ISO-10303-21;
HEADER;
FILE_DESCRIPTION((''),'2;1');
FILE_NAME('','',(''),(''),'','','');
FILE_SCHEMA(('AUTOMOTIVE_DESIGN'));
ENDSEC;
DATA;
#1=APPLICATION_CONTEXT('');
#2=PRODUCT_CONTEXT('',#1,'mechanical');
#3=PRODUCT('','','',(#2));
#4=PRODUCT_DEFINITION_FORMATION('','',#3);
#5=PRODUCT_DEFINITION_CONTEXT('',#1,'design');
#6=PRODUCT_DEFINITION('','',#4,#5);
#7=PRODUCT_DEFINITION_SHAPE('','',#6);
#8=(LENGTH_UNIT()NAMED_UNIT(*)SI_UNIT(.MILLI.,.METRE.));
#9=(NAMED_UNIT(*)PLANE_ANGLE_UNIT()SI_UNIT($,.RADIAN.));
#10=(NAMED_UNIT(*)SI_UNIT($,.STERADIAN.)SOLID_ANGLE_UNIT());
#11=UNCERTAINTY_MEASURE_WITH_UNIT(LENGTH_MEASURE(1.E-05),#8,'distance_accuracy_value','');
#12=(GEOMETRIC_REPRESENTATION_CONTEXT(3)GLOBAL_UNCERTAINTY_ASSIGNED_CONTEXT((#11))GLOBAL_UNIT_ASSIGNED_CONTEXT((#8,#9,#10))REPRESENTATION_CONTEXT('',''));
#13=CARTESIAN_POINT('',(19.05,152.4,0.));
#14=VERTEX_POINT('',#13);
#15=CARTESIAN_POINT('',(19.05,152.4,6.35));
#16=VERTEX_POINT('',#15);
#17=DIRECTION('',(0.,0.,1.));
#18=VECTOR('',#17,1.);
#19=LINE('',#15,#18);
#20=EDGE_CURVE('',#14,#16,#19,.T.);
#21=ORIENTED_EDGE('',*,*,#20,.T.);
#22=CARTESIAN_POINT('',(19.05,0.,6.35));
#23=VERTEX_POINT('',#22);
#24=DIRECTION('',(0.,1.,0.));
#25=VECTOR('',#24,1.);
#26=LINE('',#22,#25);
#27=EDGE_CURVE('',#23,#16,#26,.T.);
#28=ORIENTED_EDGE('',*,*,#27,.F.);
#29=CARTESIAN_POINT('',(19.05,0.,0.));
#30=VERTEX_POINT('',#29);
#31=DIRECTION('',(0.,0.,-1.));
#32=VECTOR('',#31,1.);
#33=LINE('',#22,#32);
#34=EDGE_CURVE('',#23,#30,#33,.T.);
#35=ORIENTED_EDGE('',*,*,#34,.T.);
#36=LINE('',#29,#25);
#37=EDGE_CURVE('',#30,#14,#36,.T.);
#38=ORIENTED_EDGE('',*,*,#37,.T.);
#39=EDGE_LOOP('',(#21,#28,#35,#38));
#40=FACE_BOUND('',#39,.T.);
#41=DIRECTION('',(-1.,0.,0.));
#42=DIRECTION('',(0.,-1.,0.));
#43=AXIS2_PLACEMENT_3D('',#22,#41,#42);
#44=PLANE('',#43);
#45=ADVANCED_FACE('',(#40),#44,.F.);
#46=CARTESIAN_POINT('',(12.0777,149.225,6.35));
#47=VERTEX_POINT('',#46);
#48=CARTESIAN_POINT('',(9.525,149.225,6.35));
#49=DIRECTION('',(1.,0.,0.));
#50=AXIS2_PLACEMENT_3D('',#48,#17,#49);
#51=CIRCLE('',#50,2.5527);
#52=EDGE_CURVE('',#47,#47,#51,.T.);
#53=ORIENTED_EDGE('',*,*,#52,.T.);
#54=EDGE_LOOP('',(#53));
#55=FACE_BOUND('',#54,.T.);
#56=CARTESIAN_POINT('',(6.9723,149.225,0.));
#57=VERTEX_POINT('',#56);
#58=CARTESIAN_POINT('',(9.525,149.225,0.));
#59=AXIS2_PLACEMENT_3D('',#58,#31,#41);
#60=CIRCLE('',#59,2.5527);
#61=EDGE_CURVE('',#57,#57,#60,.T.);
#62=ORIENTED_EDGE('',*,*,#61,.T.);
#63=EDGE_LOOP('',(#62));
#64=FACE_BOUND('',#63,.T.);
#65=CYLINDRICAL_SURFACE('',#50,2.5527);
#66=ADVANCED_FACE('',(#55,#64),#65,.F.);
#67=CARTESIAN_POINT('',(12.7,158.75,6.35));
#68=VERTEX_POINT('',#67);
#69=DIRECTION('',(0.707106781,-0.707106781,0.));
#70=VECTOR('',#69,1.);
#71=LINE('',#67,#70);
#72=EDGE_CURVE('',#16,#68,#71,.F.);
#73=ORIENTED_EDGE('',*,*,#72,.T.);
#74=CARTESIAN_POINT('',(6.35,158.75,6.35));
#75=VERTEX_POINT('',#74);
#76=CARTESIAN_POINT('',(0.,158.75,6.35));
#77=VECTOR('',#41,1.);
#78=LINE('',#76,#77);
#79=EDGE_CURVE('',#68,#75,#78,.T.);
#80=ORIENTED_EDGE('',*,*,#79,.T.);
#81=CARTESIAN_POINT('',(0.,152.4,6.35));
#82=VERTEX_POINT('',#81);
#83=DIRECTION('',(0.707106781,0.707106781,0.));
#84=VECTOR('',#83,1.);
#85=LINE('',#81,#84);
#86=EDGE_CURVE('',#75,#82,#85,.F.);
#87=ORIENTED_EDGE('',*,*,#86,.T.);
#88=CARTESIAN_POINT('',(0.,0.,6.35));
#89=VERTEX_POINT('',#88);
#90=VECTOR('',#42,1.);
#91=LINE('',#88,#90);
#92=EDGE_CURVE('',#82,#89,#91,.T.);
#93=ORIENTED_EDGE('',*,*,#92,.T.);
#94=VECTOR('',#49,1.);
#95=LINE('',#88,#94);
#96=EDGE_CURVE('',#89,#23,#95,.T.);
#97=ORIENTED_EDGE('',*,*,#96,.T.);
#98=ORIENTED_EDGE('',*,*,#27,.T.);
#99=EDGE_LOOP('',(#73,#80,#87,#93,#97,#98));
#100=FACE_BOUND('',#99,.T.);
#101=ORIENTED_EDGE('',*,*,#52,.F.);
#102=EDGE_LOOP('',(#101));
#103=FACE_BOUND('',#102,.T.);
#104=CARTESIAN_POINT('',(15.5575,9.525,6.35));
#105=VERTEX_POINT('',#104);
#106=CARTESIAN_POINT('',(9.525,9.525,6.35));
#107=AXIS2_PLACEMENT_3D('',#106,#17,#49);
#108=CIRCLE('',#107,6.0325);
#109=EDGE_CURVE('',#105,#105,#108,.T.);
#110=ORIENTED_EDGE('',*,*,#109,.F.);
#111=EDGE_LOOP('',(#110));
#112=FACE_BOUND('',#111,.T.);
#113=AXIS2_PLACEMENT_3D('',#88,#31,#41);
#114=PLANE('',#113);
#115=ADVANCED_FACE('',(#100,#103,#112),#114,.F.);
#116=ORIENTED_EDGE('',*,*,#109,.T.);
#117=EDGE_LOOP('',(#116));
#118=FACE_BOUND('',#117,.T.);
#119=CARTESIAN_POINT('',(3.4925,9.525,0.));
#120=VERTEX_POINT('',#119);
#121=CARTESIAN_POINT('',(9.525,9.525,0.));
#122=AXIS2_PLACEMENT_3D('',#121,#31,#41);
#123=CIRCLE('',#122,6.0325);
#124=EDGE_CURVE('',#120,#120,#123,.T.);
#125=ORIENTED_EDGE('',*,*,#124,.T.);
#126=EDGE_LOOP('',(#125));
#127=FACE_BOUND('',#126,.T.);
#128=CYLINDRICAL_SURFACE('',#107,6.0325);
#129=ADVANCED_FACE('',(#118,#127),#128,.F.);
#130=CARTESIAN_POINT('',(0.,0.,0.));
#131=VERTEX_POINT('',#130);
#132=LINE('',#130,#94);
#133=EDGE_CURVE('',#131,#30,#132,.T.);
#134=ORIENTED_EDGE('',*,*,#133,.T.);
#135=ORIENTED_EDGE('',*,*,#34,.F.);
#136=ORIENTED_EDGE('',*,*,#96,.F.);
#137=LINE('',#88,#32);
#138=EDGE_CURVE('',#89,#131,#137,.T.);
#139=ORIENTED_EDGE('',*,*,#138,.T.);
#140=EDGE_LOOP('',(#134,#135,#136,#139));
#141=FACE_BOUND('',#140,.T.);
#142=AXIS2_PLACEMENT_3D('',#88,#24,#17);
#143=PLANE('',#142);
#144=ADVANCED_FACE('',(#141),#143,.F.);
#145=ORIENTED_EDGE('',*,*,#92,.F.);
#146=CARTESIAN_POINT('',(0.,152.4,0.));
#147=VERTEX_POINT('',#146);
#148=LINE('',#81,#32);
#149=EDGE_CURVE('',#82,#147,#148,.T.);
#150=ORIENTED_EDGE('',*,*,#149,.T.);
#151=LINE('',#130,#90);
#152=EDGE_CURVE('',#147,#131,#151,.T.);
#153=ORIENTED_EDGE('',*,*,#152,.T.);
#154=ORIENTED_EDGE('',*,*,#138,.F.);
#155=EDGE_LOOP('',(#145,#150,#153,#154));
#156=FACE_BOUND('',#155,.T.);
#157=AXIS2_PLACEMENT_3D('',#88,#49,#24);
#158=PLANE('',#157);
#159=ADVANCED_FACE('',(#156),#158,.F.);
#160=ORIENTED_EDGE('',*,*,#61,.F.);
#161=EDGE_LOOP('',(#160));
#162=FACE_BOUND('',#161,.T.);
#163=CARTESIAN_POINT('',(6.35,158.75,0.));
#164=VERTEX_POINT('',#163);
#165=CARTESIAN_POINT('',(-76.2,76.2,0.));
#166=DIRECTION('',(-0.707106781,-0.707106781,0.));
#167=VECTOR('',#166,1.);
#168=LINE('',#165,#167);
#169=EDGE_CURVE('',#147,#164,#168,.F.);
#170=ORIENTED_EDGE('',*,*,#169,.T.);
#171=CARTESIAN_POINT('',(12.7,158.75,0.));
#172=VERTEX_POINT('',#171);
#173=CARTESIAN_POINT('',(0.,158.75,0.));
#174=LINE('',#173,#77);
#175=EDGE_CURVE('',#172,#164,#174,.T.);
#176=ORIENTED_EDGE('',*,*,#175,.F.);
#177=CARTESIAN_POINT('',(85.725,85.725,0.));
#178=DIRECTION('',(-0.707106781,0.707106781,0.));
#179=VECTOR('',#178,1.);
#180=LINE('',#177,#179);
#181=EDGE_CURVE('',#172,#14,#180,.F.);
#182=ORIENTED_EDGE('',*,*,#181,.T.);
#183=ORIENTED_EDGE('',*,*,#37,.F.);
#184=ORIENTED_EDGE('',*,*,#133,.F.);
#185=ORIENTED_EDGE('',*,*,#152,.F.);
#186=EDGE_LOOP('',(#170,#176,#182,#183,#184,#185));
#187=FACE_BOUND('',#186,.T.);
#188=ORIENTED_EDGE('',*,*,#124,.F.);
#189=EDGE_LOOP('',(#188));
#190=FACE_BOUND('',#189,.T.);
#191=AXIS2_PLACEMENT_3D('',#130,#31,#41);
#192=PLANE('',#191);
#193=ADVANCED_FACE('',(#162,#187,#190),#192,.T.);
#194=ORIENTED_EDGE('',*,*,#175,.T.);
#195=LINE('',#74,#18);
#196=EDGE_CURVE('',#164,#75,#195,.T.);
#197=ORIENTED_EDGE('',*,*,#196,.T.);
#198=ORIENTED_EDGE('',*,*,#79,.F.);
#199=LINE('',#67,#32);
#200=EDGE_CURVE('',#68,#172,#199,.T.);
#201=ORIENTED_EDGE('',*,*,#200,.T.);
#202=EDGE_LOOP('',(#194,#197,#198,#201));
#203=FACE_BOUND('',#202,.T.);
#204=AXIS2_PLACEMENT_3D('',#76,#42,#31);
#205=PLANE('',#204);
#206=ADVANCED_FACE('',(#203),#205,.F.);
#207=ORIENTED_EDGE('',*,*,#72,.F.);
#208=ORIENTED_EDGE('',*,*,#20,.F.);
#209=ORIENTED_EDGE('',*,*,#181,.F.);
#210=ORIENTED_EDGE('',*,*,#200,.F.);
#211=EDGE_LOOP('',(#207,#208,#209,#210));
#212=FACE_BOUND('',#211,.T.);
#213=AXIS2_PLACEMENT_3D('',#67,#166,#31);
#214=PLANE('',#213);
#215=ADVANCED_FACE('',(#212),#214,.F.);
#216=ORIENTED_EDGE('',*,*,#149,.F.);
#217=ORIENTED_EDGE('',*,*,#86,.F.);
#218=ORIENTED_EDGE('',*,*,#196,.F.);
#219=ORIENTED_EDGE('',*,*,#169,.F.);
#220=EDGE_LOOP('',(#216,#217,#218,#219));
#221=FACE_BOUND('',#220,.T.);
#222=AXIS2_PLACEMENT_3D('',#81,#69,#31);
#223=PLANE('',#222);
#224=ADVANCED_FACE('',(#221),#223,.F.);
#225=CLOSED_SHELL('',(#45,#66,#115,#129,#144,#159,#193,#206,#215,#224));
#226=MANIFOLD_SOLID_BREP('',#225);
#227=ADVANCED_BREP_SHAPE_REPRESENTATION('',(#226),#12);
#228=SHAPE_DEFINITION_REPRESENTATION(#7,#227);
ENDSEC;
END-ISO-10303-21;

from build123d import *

# Parameters (mm, degrees)
SKETCH1_W                    = 19.05
SKETCH1_H                    = 158.75
BOSS_EXTRUDE1_DEPTH          = 6.35
F_1_4_20_TAPPED_HOLE1_D      = 5.1054
F_1_4_0_475_DIAMETER_HOLE1_D = 12.065
CHAMFER1_SIZE                = 6.35


with BuildPart() as part:
    # Sketch1 → Boss-Extrude1 (new body)
    with BuildSketch(Plane.XY):
        with Locations((9.525, 79.375)):
            Rectangle(SKETCH1_W, SKETCH1_H)
    extrude(amount=BOSS_EXTRUDE1_DEPTH)

    # 1/4-20 Tapped Hole1 (through all)
    with Locations(Plane.XY.offset(6.35)):
        with Locations((9.525, 149.225)):
            Hole(F_1_4_20_TAPPED_HOLE1_D / 2)

    # 1/4 (0.475) Diameter Hole1 (through all)
    with Locations(Plane.XY.offset(6.35)):
        with Locations((9.525, 9.525)):
            Hole(F_1_4_0_475_DIAMETER_HOLE1_D / 2)

    # Chamfer1
    chamfer1_edges = [part.edges().sort_by_distance(p)[0] for p in [
        (0, 158.75, 3.175),
        (19.05, 158.75, 3.175),
    ]]
    chamfer(chamfer1_edges, length=CHAMFER1_SIZE)


solid = part.part
